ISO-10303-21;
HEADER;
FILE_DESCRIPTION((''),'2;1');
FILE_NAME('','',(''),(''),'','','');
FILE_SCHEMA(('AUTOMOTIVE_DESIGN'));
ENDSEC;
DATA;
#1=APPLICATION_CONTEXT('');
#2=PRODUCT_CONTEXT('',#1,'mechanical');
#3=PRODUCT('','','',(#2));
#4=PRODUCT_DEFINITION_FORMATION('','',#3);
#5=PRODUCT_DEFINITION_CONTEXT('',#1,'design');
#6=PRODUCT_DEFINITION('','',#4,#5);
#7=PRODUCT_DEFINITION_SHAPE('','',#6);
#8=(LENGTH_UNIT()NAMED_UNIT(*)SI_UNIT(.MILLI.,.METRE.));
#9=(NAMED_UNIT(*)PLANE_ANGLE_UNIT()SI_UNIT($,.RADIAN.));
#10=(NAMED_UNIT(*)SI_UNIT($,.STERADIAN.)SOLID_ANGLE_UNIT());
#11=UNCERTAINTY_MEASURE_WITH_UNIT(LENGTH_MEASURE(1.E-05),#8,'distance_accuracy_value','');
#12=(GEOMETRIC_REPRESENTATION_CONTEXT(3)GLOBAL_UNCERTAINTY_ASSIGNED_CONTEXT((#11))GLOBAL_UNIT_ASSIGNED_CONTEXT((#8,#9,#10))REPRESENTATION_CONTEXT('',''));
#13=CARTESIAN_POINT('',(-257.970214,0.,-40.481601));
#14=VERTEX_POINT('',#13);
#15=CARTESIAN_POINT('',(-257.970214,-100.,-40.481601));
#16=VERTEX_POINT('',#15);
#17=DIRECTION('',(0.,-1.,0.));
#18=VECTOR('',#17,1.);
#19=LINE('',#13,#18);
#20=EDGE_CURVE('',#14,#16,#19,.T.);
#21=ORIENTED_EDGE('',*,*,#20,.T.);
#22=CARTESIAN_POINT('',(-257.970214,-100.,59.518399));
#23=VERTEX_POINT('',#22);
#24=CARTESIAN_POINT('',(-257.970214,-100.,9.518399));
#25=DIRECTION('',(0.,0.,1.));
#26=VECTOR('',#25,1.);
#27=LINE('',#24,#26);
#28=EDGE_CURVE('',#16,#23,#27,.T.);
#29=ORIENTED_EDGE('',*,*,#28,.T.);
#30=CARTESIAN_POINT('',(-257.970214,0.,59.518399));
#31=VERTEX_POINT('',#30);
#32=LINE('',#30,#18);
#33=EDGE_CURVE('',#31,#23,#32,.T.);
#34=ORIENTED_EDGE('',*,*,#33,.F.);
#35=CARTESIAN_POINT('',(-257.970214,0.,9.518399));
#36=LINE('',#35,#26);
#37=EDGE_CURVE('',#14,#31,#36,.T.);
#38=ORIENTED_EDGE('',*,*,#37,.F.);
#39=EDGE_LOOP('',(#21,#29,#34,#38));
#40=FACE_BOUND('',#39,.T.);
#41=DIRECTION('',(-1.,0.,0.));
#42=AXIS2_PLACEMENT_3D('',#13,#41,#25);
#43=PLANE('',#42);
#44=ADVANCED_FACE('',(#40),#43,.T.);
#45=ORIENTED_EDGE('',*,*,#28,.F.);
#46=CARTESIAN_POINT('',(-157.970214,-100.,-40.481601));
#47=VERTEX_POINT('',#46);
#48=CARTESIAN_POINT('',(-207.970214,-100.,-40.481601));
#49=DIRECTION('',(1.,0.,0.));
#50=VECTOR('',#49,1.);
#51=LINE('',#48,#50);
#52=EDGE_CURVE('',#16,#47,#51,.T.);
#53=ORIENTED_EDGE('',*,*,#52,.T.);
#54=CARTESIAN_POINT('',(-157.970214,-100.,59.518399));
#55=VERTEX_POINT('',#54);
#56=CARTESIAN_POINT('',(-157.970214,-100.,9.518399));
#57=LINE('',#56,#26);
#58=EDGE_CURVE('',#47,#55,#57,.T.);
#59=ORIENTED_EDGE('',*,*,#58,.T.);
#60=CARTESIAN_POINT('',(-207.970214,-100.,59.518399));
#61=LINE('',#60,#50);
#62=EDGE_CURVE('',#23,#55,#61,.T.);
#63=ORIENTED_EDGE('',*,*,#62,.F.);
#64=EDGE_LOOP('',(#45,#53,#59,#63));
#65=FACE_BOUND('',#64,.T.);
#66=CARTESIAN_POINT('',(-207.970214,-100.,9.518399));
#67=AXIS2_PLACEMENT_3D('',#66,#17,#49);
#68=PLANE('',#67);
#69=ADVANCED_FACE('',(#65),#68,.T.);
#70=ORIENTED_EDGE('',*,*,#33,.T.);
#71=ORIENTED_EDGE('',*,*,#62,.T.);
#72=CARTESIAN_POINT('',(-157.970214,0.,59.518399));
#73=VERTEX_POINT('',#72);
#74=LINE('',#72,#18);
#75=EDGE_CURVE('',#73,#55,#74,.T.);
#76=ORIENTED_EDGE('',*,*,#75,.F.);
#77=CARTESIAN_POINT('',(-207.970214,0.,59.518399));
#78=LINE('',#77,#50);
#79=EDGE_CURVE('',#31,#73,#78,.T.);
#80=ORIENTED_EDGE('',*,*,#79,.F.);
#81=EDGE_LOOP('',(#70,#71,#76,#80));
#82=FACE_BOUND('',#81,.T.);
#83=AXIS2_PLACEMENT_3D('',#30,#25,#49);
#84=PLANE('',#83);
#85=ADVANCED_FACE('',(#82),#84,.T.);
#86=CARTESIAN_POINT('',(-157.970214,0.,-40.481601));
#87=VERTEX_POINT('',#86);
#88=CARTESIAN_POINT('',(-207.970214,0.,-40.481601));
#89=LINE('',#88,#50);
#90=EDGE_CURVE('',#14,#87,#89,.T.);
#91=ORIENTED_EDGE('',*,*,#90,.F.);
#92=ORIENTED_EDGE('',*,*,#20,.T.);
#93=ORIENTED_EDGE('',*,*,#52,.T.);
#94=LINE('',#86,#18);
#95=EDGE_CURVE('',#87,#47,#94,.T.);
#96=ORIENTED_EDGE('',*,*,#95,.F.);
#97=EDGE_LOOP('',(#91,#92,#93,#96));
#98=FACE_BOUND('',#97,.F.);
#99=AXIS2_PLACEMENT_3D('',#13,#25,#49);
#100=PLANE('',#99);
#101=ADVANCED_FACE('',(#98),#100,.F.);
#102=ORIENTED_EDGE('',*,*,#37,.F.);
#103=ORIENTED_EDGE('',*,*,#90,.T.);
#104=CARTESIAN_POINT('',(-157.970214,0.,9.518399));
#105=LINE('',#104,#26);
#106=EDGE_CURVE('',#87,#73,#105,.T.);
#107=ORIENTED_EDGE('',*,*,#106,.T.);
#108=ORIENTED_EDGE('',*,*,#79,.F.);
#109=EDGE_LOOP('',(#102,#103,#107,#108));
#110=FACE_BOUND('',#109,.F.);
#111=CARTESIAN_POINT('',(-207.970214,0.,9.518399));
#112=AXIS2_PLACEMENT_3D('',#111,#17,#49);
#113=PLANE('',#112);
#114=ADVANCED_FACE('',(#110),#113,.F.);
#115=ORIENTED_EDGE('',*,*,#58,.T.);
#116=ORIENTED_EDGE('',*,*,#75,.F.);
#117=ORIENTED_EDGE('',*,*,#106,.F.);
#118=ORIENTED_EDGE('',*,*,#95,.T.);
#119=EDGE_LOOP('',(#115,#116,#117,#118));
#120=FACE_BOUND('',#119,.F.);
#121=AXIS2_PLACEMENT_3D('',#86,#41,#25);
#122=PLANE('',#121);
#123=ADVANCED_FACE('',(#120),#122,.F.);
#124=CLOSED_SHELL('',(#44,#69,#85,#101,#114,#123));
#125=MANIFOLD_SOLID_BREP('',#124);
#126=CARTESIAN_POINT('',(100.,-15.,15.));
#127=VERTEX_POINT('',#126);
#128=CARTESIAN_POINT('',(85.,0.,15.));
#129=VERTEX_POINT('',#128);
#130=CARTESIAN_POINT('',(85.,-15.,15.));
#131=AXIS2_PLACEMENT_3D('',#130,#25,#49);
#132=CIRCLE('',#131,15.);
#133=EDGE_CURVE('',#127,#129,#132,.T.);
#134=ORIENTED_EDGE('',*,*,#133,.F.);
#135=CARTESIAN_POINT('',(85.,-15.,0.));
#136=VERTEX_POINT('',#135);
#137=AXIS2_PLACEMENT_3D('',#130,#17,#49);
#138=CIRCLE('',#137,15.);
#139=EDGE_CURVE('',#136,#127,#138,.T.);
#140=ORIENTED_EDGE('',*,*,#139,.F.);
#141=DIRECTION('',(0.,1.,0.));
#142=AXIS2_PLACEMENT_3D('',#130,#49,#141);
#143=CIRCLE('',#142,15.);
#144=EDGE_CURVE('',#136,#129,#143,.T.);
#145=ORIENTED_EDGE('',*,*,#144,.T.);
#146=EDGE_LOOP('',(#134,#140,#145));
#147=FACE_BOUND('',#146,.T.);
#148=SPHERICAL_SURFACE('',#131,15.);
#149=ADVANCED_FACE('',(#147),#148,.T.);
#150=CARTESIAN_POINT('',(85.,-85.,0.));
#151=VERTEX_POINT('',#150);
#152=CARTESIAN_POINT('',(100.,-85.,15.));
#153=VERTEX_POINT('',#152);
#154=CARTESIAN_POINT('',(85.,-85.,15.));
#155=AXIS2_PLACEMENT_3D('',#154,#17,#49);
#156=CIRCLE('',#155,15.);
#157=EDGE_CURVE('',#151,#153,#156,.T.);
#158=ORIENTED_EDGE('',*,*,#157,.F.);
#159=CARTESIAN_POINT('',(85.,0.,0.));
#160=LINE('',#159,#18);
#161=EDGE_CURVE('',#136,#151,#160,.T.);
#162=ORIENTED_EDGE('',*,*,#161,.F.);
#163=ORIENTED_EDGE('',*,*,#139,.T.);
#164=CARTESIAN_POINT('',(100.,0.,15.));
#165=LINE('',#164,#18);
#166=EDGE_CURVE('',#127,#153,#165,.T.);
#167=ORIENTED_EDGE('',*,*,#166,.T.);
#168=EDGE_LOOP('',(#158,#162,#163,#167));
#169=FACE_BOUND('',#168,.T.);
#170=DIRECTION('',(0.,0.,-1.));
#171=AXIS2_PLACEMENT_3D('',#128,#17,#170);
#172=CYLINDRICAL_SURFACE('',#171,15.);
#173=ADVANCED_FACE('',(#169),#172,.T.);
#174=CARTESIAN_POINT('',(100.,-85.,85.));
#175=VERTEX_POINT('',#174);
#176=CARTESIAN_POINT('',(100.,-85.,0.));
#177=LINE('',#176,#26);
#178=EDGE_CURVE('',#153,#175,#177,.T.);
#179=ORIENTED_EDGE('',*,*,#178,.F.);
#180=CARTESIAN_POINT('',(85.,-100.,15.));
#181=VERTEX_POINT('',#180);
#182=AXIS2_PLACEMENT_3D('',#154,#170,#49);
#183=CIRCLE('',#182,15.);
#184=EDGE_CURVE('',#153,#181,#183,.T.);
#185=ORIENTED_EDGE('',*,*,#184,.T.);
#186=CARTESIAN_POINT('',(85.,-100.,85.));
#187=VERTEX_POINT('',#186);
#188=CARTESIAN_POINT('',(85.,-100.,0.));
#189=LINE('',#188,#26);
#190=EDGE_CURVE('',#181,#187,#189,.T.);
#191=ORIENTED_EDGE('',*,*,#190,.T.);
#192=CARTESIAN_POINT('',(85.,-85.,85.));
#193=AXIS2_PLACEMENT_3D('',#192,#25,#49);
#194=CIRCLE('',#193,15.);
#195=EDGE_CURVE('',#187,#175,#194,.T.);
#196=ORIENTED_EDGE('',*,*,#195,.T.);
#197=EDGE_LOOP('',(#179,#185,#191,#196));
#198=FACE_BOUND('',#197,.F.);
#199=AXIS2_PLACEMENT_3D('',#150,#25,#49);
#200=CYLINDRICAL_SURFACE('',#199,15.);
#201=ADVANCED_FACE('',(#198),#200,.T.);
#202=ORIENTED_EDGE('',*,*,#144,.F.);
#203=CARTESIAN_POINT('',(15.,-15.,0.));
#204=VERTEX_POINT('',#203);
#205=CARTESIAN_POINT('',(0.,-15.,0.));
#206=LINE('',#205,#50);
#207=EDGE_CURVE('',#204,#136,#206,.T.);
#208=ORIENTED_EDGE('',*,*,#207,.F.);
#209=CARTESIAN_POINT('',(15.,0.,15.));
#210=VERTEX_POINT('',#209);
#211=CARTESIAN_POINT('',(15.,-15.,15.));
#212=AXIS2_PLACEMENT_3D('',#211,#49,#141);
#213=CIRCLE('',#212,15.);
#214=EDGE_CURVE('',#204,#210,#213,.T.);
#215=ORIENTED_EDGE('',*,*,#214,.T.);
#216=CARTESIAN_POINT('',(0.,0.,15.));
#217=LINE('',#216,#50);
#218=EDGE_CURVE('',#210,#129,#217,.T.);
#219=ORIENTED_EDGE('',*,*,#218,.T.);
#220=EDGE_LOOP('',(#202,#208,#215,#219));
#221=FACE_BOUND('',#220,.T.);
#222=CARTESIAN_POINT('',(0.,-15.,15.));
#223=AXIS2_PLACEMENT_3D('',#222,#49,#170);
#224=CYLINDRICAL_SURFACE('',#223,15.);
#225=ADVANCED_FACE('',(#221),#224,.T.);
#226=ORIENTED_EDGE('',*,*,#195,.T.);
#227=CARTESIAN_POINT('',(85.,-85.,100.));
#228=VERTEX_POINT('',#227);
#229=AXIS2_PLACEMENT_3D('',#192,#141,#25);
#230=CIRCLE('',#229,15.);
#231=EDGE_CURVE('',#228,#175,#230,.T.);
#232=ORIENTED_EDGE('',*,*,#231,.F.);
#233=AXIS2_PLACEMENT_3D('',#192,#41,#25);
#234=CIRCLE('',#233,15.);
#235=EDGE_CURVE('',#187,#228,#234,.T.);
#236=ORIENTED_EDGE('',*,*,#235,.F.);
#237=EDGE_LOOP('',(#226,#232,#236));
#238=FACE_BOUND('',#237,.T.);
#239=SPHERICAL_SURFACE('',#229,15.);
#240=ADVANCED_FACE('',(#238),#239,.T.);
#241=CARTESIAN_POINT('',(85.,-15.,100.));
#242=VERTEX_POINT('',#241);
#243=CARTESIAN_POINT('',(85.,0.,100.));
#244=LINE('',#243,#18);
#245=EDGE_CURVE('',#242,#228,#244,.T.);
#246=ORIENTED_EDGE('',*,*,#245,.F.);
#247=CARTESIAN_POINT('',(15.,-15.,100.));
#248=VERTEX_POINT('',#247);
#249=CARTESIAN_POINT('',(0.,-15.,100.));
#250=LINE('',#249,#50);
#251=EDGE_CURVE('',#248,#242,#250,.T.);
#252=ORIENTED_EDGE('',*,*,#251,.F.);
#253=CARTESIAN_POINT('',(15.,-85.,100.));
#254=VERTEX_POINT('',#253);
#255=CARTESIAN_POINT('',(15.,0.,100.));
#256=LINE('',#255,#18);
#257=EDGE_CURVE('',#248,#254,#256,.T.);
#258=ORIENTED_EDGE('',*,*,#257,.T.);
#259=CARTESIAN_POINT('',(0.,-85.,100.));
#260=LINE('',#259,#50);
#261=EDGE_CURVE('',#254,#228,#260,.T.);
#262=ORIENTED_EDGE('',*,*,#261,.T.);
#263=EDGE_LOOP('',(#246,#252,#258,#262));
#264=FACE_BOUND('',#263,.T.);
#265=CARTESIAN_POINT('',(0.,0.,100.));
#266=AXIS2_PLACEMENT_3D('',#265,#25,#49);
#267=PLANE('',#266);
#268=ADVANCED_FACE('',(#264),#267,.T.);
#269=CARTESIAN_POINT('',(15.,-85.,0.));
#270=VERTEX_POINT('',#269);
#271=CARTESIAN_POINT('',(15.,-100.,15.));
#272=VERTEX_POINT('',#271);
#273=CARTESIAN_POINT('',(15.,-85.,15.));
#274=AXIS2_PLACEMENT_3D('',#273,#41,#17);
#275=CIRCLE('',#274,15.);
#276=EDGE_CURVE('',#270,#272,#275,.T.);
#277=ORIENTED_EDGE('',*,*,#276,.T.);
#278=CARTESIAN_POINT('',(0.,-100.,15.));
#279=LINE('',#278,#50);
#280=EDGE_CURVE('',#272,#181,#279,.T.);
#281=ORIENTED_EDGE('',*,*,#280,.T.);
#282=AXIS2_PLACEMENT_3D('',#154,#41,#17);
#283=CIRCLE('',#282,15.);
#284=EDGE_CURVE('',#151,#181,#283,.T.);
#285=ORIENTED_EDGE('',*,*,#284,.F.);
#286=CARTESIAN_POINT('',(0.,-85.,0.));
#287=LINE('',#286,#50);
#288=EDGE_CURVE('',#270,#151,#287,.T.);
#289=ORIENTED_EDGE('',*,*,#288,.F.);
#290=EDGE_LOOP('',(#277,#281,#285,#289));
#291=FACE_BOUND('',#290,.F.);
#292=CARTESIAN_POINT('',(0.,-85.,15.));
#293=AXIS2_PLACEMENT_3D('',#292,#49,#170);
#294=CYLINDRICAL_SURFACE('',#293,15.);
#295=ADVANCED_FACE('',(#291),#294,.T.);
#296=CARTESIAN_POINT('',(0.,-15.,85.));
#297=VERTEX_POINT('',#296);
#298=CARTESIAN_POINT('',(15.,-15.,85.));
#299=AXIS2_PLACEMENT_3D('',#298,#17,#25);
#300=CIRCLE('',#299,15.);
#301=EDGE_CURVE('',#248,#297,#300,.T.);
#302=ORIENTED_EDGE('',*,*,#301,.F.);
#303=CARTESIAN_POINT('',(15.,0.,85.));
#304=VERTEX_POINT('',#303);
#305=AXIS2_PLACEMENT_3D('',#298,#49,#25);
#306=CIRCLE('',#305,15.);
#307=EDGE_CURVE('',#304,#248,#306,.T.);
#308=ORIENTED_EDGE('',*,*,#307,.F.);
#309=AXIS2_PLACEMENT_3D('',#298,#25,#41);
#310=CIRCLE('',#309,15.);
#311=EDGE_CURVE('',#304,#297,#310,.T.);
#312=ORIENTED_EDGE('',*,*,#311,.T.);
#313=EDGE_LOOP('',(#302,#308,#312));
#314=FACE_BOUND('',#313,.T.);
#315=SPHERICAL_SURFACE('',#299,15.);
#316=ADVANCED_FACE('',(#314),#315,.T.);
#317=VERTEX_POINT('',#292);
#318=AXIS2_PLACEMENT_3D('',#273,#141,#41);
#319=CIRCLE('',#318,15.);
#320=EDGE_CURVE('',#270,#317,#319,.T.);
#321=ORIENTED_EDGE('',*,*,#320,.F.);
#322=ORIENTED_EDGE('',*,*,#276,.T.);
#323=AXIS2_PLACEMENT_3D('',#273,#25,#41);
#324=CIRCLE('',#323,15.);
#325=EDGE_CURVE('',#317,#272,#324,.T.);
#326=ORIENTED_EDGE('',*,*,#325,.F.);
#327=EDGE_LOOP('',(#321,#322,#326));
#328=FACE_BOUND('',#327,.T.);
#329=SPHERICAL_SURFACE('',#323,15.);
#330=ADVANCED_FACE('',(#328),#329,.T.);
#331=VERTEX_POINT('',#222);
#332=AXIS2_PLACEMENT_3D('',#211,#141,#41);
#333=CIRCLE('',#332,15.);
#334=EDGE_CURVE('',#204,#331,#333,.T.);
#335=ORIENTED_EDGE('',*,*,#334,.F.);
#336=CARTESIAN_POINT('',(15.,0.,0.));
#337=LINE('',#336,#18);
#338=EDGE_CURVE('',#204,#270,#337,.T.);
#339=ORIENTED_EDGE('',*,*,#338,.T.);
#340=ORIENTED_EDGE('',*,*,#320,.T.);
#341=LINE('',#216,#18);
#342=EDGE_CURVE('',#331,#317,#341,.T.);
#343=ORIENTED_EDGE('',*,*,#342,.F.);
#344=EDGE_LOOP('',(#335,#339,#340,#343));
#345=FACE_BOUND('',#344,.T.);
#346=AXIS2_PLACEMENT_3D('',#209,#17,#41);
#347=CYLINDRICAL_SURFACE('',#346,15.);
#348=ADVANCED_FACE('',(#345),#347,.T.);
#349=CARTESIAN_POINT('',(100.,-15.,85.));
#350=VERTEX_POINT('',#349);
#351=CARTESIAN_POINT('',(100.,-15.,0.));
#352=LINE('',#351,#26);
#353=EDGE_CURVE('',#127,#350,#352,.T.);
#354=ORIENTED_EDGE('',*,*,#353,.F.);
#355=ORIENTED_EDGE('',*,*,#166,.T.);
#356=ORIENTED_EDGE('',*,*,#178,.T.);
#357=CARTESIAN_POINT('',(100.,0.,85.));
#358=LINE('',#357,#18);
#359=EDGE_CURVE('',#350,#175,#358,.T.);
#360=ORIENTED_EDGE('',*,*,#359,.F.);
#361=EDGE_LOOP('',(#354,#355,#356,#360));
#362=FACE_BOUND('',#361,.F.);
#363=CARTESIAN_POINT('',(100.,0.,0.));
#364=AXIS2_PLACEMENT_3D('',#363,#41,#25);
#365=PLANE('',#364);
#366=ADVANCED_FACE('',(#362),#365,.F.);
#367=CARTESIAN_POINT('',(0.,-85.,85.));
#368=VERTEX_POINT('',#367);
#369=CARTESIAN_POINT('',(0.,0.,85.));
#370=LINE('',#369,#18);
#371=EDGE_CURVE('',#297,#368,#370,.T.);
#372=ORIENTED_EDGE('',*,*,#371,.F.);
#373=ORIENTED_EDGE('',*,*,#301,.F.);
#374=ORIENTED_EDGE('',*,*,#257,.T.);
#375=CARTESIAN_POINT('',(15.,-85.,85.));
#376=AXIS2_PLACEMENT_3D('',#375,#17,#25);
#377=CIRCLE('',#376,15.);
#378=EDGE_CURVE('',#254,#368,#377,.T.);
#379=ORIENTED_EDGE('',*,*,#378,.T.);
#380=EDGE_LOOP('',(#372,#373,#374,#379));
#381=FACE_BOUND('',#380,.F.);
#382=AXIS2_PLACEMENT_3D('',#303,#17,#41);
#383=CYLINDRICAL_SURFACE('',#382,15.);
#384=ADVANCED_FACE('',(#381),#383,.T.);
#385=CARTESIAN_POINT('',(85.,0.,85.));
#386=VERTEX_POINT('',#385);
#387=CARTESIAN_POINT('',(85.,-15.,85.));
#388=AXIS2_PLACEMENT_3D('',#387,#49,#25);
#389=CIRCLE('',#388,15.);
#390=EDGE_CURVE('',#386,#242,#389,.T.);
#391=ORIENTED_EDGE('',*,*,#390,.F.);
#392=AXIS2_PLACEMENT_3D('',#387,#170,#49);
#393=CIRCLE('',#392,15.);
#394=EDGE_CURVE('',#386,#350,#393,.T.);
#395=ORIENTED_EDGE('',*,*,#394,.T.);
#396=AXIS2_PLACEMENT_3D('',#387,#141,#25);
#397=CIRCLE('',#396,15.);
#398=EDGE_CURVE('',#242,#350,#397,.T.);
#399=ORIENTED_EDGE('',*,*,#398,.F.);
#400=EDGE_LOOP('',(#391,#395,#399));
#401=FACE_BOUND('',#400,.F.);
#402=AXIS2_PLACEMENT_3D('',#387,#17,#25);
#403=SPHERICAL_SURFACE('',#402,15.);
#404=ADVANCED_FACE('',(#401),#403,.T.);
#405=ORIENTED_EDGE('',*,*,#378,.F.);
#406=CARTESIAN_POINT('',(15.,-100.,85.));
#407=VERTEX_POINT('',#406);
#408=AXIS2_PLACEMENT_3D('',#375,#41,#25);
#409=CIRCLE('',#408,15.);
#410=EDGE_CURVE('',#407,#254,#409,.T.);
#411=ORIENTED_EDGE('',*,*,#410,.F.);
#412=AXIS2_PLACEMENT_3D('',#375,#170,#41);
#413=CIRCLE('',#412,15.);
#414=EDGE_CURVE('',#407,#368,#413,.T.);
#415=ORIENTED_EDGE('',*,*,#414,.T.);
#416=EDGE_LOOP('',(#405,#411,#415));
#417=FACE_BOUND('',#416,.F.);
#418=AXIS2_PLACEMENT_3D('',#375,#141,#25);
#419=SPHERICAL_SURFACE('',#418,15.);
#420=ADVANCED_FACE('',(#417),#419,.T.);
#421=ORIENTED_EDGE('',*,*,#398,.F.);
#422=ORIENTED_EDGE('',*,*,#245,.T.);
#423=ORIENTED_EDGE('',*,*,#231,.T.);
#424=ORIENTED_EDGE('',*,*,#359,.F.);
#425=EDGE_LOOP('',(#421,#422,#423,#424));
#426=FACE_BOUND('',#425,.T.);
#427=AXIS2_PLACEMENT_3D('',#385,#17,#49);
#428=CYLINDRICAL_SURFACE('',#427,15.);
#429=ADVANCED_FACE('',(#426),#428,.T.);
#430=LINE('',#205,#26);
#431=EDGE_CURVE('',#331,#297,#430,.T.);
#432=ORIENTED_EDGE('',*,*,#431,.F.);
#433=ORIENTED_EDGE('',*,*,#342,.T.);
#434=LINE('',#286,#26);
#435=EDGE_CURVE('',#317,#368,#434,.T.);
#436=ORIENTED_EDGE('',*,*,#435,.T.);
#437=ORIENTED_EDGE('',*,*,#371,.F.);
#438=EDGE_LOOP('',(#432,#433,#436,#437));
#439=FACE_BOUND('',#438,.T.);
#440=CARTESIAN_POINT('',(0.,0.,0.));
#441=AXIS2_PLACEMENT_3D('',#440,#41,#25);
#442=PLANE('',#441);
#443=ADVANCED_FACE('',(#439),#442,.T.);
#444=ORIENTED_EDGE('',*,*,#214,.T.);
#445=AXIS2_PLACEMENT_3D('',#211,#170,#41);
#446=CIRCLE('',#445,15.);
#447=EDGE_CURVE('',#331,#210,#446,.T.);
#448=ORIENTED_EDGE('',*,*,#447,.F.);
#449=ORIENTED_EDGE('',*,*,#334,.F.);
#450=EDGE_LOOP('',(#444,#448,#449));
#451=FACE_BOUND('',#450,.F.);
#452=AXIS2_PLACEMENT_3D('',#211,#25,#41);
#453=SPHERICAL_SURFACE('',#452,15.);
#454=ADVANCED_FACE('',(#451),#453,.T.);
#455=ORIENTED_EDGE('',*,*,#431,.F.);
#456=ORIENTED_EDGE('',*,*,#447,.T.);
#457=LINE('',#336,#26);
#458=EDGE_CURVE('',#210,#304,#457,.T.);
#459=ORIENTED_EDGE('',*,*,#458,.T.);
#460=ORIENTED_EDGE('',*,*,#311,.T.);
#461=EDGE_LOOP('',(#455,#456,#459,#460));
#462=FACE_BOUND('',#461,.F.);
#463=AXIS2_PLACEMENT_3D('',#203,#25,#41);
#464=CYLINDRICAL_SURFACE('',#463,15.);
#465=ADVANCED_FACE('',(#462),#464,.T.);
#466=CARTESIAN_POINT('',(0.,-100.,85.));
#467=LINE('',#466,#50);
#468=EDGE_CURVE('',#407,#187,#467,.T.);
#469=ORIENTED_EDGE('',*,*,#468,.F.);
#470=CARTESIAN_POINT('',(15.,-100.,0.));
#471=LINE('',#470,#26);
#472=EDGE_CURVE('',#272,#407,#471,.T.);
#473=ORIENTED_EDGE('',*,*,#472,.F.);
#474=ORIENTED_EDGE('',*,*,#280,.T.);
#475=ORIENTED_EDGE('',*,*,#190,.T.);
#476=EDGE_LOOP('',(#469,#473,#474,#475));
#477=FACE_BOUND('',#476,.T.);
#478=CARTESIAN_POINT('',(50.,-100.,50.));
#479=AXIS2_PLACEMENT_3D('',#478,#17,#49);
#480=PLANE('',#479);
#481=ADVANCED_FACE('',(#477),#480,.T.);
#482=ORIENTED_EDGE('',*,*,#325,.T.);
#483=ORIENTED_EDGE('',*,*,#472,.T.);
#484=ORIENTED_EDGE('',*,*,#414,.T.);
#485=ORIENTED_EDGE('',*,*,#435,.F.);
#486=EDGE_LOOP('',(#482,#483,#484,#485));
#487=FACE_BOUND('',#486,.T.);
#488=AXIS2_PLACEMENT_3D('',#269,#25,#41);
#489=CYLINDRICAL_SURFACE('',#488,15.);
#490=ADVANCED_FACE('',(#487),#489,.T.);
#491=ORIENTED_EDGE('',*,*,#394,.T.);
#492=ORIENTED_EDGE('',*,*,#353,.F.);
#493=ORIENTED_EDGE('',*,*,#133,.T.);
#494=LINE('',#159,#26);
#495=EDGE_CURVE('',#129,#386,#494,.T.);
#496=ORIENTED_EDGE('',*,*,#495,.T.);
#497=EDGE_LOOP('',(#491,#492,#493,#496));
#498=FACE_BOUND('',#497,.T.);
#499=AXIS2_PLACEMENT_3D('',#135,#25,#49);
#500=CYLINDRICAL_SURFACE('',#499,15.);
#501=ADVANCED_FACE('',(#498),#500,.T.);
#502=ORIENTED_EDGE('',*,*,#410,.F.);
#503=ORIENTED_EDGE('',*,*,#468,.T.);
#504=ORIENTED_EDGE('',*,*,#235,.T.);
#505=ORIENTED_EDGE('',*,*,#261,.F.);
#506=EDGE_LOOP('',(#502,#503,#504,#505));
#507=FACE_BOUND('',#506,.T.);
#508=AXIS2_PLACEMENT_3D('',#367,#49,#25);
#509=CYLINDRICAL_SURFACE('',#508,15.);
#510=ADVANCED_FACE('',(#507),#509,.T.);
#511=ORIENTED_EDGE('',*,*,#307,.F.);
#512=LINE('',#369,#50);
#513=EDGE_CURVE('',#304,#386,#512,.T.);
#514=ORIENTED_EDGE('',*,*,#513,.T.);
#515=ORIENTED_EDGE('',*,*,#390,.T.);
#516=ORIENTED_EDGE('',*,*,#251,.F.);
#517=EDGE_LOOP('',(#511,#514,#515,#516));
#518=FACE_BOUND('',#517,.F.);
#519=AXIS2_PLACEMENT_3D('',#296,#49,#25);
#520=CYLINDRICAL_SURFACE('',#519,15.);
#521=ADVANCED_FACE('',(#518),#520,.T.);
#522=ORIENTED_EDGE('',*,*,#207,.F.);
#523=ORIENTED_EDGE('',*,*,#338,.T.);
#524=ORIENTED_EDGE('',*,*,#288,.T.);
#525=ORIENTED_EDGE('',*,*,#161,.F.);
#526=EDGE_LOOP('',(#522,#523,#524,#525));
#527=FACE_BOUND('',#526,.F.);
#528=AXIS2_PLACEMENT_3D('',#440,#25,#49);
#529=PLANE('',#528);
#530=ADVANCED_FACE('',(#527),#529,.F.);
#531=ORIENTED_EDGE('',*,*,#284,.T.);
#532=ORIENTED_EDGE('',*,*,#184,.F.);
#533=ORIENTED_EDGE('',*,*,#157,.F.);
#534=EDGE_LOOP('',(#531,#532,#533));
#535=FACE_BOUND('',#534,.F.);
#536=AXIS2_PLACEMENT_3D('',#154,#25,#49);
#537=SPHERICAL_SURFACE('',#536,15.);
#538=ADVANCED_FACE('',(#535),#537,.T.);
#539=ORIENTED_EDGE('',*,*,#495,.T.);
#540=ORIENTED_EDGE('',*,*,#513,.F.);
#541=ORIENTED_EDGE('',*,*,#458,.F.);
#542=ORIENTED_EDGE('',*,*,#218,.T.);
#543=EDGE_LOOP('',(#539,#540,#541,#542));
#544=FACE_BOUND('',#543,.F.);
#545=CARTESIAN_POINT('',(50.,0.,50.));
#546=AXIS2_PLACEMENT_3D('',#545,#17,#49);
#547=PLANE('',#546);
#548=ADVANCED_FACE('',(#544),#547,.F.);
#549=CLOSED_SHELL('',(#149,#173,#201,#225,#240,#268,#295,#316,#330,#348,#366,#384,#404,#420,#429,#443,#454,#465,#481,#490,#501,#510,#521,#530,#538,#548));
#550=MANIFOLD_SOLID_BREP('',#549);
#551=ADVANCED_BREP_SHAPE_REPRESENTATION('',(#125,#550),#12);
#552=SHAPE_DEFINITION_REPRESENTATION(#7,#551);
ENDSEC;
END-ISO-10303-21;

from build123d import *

# Parameters (mm, degrees)
F0_W     = 100
F0_H     = 100
F1_DEPTH = 100
F2_R     = 15
F3_W     = 100
F3_H     = 100
F4_DEPTH = 100


with BuildPart() as f1:
    # F0 (on Front) → F1 (new body)
    with BuildSketch(Plane.XZ):
        with Locations((50, 50)):
            Rectangle(F0_W, F0_H)
    extrude(amount=F1_DEPTH)

    # F2
    f2_edges = [f1.edges().sort_by_distance(p)[0] for p in [
        (100, -50, 100),
        (0, -50, 100),
        (50, 0, 100),
        (50, -100, 100),
        (100, -100, 50),
        (100, 0, 50),
        (0, -100, 50),
        (0, 0, 50),
        (0, -50, 0),
        (100, -50, 0),
        (50, 0, 0),
        (50, -100, 0),
    ]]
    fillet(f2_edges, radius=F2_R)


with BuildPart() as f4:
    # F3 (on Front) → F4 (new body)
    with BuildSketch(Plane.XZ):
        with Locations((-207.970214, 9.518399)):
            Rectangle(F3_W, F3_H)
    extrude(amount=F4_DEPTH)


solid = Compound([f1.part, f4.part])
